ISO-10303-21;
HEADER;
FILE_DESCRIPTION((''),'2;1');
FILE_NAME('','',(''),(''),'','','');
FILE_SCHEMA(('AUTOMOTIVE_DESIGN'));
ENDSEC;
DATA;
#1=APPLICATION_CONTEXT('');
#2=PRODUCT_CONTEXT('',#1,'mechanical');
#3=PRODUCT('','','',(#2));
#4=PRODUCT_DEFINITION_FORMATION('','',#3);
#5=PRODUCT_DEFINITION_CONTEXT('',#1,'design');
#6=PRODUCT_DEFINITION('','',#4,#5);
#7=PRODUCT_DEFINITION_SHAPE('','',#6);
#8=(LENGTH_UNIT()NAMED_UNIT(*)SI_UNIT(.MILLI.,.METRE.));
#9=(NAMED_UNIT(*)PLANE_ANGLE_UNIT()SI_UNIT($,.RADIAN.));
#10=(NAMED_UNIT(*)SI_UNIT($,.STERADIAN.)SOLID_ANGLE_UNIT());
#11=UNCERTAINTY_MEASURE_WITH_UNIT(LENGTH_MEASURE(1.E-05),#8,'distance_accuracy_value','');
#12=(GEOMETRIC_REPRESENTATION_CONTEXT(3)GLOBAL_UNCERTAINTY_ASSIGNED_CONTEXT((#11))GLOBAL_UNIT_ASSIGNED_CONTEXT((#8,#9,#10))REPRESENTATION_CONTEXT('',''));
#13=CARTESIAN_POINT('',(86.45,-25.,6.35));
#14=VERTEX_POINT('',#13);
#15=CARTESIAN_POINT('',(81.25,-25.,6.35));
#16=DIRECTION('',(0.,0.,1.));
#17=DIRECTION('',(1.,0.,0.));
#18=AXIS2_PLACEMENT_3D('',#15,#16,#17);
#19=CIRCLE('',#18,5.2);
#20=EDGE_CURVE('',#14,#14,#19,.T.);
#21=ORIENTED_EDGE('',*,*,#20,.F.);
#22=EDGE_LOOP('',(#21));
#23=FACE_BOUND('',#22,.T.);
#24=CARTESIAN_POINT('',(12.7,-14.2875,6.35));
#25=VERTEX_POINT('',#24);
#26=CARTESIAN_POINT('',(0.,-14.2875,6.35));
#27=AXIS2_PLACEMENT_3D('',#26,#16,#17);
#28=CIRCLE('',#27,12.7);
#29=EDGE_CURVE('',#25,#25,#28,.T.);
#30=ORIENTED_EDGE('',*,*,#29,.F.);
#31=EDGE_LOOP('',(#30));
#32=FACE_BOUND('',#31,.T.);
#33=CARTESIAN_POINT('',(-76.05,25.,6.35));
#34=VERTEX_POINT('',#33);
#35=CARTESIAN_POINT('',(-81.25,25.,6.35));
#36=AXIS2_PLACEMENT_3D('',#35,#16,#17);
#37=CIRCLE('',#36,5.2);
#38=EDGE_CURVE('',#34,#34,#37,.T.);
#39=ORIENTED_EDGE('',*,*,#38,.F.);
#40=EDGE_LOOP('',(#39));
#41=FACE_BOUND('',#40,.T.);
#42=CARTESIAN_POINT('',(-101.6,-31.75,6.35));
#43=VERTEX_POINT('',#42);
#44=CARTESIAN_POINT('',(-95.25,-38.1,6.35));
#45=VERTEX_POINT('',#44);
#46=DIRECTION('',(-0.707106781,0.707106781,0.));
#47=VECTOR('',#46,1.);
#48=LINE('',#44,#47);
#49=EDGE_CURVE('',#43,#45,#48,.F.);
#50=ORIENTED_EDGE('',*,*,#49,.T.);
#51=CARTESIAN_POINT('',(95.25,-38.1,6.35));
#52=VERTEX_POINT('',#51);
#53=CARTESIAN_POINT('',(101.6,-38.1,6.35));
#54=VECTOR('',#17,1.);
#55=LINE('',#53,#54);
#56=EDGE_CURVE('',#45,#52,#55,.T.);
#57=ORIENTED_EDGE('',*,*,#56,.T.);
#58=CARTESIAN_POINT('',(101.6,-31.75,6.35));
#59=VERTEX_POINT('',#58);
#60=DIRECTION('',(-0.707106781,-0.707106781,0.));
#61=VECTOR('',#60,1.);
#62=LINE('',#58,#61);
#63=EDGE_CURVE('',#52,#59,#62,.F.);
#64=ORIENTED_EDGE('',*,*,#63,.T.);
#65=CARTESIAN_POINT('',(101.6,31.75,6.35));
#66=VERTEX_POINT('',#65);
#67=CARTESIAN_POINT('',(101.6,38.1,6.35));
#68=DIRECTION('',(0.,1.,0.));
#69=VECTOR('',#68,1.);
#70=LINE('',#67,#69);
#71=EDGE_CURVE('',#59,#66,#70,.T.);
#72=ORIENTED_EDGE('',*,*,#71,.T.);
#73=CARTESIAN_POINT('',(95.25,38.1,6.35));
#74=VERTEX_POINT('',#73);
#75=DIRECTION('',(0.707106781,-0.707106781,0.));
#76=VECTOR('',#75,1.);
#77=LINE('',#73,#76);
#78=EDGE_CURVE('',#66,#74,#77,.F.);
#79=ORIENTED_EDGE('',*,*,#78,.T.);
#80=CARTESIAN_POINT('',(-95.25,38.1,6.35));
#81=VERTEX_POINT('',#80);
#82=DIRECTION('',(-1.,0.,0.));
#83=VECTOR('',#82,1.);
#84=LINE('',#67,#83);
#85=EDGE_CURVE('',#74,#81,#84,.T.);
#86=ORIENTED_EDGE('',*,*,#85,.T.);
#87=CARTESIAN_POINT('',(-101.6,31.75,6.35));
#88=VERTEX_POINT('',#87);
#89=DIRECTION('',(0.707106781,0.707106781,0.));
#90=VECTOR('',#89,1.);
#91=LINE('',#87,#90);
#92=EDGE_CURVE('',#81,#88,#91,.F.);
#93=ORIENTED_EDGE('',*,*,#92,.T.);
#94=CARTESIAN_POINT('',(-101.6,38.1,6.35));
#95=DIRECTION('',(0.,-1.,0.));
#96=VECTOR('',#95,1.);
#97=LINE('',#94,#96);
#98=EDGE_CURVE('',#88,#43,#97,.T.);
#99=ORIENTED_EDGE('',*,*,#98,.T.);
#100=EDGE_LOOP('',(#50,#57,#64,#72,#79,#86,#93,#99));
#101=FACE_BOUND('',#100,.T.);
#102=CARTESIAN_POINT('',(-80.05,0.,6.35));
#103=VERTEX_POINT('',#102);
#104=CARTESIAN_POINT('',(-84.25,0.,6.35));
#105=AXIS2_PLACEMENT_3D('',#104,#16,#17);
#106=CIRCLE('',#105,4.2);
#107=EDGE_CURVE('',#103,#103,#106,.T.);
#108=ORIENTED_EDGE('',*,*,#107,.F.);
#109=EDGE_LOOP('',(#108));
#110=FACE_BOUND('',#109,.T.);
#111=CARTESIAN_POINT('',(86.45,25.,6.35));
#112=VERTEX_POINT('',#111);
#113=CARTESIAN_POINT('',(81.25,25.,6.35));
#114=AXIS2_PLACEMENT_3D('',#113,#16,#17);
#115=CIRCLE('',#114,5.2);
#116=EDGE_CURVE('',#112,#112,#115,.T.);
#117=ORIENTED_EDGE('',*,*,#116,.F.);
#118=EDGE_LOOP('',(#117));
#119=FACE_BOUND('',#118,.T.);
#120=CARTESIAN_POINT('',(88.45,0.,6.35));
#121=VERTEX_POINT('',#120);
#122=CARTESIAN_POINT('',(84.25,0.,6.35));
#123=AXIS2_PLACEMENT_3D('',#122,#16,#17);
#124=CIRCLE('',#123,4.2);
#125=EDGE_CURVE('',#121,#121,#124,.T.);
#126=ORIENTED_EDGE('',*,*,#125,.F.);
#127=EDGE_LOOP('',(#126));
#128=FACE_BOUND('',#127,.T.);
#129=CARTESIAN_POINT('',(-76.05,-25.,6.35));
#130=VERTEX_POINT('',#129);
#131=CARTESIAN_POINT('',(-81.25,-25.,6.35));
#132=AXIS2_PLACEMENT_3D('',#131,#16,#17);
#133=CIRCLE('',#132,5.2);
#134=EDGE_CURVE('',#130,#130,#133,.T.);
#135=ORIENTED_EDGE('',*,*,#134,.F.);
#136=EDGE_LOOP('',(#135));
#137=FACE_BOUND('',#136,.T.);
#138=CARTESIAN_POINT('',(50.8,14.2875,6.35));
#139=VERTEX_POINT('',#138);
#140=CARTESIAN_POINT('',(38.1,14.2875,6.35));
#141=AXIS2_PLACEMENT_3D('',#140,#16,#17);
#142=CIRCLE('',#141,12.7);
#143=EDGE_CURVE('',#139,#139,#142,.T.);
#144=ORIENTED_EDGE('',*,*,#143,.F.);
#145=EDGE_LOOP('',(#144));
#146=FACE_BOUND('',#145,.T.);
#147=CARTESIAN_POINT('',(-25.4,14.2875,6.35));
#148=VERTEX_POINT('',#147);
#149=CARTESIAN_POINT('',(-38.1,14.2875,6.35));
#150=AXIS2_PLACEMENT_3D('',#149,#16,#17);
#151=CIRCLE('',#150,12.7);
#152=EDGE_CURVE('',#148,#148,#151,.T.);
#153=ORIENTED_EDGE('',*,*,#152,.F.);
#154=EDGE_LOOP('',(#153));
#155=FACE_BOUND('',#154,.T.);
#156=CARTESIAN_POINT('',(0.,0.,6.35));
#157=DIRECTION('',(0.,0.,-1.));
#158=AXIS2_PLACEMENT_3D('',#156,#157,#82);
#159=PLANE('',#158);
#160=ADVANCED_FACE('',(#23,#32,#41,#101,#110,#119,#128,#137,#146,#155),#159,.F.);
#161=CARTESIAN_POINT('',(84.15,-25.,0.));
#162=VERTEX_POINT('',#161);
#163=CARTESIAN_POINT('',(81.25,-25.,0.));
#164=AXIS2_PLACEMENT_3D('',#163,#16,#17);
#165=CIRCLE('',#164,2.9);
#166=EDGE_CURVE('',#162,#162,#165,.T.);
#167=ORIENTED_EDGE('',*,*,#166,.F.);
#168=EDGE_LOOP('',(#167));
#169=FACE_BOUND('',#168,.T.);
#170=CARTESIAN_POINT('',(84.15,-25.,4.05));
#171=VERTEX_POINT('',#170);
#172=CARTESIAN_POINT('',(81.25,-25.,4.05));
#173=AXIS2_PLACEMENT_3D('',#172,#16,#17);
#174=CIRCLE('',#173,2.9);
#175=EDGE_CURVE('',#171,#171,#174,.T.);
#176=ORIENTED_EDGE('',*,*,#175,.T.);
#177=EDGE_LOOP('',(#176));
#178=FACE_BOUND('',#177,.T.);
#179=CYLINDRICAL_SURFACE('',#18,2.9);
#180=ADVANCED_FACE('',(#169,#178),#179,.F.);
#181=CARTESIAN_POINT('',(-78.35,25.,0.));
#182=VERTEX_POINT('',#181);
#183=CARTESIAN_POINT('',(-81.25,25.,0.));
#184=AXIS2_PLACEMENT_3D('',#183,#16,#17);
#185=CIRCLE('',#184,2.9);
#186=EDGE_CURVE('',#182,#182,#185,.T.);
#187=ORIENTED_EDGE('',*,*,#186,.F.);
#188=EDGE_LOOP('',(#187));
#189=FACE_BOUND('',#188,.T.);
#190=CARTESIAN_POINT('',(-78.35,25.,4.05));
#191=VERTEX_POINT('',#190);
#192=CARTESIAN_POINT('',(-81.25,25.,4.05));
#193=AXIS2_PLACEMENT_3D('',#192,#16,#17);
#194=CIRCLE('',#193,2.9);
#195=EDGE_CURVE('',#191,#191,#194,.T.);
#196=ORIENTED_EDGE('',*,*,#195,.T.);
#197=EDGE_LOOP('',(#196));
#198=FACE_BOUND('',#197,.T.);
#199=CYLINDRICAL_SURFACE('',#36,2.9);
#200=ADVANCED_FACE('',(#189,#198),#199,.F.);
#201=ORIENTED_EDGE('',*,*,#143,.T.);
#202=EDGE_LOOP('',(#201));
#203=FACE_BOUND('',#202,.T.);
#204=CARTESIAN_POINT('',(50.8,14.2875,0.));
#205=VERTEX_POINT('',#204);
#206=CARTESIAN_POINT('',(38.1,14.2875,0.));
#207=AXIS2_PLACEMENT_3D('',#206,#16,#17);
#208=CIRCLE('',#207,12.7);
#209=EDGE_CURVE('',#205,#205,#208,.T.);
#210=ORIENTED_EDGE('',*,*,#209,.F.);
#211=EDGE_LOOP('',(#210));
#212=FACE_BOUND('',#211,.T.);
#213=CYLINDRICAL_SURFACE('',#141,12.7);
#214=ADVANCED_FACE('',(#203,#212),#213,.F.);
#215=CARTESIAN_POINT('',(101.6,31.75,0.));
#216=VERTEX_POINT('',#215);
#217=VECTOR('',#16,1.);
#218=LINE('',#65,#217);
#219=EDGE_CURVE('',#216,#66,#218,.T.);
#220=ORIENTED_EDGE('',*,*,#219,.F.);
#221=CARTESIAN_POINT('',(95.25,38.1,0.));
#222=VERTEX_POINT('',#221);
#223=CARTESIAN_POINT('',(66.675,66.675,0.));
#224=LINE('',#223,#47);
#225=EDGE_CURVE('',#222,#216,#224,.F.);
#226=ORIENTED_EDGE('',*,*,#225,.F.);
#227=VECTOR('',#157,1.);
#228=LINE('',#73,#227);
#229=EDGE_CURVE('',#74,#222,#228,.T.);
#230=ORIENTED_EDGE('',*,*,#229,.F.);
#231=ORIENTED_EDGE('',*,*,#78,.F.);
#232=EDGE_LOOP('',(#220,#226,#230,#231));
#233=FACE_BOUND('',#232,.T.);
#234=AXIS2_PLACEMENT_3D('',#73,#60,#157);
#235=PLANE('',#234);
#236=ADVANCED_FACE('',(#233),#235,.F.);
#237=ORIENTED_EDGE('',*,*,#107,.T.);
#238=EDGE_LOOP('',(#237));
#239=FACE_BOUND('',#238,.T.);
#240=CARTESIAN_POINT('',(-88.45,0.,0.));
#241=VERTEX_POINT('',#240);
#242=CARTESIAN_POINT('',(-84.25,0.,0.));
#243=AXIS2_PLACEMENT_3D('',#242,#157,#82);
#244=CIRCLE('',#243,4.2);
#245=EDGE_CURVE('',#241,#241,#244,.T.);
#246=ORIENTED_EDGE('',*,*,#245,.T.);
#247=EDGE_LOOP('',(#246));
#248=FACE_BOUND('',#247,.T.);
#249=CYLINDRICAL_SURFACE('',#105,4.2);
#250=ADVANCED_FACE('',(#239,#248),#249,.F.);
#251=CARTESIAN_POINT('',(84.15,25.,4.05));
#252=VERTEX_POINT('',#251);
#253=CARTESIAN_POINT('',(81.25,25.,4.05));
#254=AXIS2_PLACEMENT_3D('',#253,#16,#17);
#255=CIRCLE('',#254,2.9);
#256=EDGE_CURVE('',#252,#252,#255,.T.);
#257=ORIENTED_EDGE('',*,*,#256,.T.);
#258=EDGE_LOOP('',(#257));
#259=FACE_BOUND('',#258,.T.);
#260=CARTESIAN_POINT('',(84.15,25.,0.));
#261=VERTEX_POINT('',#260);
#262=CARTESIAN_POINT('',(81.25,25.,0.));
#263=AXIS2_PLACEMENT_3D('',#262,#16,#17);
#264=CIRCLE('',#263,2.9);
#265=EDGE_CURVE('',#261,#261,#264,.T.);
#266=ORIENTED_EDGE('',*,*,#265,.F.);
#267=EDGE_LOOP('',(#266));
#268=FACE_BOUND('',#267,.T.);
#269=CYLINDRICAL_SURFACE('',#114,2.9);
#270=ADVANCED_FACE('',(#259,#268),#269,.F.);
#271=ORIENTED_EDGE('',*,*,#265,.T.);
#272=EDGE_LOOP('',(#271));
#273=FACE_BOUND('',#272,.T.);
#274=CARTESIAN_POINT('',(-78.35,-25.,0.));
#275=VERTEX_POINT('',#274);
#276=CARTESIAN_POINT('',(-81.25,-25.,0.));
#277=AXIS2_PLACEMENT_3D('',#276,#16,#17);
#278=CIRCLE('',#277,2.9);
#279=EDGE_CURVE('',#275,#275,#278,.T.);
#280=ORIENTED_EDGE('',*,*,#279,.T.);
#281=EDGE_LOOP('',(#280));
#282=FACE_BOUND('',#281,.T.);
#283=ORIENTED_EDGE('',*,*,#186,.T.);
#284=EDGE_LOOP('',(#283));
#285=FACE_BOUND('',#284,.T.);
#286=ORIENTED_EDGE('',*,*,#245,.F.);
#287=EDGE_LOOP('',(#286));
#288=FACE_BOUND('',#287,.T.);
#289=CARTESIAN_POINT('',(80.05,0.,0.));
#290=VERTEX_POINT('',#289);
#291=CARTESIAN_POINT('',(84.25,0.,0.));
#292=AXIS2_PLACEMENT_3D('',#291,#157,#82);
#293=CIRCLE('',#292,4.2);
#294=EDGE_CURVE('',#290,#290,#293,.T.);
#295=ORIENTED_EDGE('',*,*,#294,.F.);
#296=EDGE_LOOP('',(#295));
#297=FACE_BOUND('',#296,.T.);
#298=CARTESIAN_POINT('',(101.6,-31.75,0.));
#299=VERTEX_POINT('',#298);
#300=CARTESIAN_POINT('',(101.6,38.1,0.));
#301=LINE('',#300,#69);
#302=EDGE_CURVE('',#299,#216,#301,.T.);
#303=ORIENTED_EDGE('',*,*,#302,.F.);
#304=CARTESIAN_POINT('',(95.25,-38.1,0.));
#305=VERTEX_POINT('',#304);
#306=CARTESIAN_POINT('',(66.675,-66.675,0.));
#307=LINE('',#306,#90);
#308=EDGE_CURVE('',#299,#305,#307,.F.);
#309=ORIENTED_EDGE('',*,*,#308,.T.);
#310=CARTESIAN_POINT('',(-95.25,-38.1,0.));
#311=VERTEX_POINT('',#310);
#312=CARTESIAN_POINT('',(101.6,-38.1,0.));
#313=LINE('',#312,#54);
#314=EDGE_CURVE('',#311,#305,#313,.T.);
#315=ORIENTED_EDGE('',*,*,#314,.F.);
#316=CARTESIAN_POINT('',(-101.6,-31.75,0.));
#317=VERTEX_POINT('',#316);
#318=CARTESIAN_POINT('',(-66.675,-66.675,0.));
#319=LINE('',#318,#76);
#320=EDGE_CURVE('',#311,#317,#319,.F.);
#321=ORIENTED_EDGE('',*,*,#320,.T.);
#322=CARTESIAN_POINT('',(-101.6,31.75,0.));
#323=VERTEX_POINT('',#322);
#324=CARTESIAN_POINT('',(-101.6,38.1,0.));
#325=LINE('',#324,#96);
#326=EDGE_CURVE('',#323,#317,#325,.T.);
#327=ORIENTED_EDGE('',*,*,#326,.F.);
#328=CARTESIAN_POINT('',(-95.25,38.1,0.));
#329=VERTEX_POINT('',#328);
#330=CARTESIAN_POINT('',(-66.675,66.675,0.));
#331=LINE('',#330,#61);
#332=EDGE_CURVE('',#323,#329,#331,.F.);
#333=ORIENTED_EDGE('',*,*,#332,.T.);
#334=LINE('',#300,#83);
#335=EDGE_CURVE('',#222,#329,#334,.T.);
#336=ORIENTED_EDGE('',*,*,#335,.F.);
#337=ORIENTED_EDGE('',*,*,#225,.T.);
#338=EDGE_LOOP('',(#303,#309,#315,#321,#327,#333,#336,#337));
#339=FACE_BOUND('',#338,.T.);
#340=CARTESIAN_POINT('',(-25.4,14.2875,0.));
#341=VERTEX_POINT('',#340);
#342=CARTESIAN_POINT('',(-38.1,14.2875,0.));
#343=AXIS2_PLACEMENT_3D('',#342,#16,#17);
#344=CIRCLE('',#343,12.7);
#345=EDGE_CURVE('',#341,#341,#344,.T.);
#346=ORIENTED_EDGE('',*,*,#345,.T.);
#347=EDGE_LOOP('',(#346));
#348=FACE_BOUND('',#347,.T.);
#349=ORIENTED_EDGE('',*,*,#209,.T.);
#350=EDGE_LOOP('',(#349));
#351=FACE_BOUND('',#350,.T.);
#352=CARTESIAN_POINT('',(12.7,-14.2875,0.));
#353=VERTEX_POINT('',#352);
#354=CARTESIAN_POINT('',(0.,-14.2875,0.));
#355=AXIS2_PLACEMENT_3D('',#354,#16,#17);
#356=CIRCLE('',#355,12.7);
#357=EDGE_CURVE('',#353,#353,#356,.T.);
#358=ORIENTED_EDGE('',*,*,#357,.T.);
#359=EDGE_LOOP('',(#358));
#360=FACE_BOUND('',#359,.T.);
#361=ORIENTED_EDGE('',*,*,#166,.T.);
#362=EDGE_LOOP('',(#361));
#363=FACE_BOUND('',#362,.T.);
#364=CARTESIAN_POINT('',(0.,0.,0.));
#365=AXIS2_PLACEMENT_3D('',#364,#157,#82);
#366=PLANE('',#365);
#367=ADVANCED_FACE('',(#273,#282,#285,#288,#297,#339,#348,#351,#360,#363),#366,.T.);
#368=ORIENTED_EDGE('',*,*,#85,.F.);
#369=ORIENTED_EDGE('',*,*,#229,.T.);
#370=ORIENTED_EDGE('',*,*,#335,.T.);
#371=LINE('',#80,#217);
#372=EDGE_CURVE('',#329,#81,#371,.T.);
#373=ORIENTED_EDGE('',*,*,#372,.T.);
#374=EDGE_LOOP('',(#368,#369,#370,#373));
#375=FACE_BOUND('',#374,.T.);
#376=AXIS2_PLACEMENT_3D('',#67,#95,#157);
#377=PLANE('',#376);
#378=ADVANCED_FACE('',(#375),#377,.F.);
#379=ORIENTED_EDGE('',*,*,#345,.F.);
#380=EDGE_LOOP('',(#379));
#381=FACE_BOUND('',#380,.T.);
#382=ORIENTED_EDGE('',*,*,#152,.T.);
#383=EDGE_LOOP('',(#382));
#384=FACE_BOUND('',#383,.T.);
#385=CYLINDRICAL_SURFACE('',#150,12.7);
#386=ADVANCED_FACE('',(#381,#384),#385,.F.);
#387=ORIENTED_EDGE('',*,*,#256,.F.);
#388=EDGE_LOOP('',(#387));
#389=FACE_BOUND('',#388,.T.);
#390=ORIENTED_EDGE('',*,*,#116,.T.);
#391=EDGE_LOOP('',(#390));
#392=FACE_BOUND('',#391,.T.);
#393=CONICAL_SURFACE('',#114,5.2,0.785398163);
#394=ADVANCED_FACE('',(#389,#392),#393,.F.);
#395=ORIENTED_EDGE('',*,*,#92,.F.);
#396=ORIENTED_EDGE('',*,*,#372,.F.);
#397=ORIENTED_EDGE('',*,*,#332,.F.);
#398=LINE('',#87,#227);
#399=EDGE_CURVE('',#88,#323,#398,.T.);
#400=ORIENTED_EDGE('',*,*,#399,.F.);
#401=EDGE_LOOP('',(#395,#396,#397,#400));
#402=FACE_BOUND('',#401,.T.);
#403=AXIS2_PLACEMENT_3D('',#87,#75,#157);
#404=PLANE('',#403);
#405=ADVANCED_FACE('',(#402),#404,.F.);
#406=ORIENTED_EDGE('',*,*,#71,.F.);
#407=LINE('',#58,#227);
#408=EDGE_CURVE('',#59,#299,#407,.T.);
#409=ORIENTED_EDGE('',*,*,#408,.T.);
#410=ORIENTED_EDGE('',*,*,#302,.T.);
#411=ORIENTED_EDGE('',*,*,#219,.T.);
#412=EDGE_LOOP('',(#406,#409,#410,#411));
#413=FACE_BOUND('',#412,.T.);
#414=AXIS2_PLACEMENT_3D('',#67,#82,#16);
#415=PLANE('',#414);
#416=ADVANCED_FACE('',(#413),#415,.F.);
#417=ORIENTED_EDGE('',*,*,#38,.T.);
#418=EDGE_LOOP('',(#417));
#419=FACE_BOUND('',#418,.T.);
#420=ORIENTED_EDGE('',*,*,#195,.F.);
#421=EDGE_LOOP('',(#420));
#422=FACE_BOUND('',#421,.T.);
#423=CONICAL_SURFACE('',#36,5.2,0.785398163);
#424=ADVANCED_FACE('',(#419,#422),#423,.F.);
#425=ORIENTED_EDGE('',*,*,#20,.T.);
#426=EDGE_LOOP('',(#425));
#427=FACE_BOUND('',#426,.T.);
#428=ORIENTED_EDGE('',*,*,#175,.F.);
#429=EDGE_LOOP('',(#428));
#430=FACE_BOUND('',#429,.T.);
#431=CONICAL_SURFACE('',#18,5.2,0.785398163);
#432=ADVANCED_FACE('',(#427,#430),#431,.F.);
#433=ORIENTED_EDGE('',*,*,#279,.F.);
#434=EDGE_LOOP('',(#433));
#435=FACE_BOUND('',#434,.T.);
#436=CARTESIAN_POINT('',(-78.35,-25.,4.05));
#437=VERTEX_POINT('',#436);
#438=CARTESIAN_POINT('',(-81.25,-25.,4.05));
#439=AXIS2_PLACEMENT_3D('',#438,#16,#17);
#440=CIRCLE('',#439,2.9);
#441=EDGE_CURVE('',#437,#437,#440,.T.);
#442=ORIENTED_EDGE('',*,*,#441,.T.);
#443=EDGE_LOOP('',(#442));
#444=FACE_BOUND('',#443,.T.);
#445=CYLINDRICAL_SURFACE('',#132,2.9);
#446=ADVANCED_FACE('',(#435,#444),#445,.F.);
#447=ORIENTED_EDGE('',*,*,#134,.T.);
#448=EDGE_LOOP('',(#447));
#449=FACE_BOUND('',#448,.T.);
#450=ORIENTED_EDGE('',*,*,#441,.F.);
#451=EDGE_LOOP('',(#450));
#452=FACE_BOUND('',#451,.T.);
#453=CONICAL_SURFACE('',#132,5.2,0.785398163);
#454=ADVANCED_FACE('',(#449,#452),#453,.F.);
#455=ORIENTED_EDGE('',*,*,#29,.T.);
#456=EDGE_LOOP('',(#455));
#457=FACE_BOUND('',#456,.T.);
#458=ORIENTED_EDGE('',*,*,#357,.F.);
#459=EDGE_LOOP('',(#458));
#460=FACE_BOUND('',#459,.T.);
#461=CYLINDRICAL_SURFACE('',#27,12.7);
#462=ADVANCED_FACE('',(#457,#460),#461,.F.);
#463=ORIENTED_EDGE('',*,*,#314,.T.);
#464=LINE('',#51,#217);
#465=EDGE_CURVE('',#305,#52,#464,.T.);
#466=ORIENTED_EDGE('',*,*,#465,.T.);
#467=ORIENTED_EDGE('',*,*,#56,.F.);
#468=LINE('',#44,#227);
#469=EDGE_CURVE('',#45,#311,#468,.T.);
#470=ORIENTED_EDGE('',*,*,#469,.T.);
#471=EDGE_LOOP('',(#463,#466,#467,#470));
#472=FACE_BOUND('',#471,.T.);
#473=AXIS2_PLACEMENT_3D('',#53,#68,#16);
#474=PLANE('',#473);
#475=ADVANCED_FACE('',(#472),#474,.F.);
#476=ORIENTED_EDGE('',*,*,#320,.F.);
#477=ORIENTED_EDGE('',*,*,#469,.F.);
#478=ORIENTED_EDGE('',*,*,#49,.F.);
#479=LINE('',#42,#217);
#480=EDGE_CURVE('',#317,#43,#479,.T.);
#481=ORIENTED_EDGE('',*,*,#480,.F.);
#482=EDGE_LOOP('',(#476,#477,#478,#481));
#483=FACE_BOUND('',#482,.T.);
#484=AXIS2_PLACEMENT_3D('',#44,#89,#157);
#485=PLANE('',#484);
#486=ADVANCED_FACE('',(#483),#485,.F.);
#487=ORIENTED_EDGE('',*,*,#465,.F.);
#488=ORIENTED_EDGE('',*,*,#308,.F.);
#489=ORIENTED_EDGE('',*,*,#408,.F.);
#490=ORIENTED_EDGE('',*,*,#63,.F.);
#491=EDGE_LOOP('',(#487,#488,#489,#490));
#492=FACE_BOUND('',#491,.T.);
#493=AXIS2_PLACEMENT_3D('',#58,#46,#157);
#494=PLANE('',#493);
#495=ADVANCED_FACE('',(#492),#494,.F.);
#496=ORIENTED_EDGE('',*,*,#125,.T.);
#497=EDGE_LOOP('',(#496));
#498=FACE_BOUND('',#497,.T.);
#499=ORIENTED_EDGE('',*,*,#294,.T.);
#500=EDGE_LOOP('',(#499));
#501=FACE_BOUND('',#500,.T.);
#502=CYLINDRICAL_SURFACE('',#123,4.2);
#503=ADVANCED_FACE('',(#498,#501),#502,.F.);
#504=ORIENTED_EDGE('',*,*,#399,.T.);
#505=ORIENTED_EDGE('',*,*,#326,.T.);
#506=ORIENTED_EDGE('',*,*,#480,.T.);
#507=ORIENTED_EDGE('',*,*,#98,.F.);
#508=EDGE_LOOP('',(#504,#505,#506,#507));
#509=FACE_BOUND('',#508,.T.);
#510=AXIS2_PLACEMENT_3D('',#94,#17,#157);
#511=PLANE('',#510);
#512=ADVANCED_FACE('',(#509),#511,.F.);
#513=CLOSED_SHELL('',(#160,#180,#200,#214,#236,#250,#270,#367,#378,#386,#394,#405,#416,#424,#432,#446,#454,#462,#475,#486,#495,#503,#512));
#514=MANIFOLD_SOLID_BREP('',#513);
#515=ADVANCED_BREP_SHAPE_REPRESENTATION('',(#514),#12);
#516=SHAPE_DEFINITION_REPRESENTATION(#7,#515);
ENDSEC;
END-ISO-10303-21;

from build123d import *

# Parameters (mm, degrees)
SKETCH1_W                                       = 203.2
SKETCH1_H                                       = 76.2
BOSS_EXTRUDE1_DEPTH                             = 6.35
M8_CLEARANCE_HOLE1_D                            = 8.4
M8_CLEARANCE_HOLE1_DEPTH                        = 10.668
M8_CLEARANCE_HOLE1_TIP                          = 2.5236146
CHAMFER1_SIZE                                   = 6.35
CSK_FOR_M5_FLAT_HEAD_MACHINE_SCREW1_D           = 5.8
CSK_FOR_M5_FLAT_HEAD_MACHINE_SCREW1_CSINK_D     = 10.4
CSK_FOR_M5_FLAT_HEAD_MACHINE_SCREW1_CSINK_ANGLE = 90
F_1_1_DIAMETER_HOLE1_D                          = 25.4


with BuildPart() as part:
    # Sketch1 → Boss-Extrude1 (new body)
    with BuildSketch(Plane.XY):
        Rectangle(SKETCH1_W, SKETCH1_H)
    extrude(amount=BOSS_EXTRUDE1_DEPTH)

    # M8 Clearance Hole1
    with Locations(Plane.XY.offset(6.35)):
        with Locations((84.25, 0), (-84.25, 0)):
            Hole(M8_CLEARANCE_HOLE1_D / 2, depth=M8_CLEARANCE_HOLE1_DEPTH)
            with Locations((0, 0, -(M8_CLEARANCE_HOLE1_DEPTH + M8_CLEARANCE_HOLE1_TIP / 2))):  # 118° drill point
                Cone(0, M8_CLEARANCE_HOLE1_D / 2, M8_CLEARANCE_HOLE1_TIP, mode=Mode.SUBTRACT)

    # Chamfer1
    chamfer1_edges = [part.edges().sort_by_distance(p)[0] for p in [
        (-101.6, 38.1, 3.175),
        (101.6, 38.1, 3.175),
        (101.6, -38.1, 3.175),
        (-101.6, -38.1, 3.175),
    ]]
    chamfer(chamfer1_edges, length=CHAMFER1_SIZE)

    # CSK for M5 Flat Head Machine Screw1 (through all)
    with Locations(Plane.XY.offset(6.35)):
        with Locations((81.25, 25), (81.25, -25), (-81.25, -25), (-81.25, 25)):
            CounterSinkHole(CSK_FOR_M5_FLAT_HEAD_MACHINE_SCREW1_D / 2, CSK_FOR_M5_FLAT_HEAD_MACHINE_SCREW1_CSINK_D / 2, counter_sink_angle=CSK_FOR_M5_FLAT_HEAD_MACHINE_SCREW1_CSINK_ANGLE)

    # 1 (1) Diameter Hole1 (through all)
    with Locations(Plane.XY.offset(6.35)):
        with Locations((0, -14.2875), (-38.1, 14.2875), (38.1, 14.2875)):
            Hole(F_1_1_DIAMETER_HOLE1_D / 2)


solid = part.part
